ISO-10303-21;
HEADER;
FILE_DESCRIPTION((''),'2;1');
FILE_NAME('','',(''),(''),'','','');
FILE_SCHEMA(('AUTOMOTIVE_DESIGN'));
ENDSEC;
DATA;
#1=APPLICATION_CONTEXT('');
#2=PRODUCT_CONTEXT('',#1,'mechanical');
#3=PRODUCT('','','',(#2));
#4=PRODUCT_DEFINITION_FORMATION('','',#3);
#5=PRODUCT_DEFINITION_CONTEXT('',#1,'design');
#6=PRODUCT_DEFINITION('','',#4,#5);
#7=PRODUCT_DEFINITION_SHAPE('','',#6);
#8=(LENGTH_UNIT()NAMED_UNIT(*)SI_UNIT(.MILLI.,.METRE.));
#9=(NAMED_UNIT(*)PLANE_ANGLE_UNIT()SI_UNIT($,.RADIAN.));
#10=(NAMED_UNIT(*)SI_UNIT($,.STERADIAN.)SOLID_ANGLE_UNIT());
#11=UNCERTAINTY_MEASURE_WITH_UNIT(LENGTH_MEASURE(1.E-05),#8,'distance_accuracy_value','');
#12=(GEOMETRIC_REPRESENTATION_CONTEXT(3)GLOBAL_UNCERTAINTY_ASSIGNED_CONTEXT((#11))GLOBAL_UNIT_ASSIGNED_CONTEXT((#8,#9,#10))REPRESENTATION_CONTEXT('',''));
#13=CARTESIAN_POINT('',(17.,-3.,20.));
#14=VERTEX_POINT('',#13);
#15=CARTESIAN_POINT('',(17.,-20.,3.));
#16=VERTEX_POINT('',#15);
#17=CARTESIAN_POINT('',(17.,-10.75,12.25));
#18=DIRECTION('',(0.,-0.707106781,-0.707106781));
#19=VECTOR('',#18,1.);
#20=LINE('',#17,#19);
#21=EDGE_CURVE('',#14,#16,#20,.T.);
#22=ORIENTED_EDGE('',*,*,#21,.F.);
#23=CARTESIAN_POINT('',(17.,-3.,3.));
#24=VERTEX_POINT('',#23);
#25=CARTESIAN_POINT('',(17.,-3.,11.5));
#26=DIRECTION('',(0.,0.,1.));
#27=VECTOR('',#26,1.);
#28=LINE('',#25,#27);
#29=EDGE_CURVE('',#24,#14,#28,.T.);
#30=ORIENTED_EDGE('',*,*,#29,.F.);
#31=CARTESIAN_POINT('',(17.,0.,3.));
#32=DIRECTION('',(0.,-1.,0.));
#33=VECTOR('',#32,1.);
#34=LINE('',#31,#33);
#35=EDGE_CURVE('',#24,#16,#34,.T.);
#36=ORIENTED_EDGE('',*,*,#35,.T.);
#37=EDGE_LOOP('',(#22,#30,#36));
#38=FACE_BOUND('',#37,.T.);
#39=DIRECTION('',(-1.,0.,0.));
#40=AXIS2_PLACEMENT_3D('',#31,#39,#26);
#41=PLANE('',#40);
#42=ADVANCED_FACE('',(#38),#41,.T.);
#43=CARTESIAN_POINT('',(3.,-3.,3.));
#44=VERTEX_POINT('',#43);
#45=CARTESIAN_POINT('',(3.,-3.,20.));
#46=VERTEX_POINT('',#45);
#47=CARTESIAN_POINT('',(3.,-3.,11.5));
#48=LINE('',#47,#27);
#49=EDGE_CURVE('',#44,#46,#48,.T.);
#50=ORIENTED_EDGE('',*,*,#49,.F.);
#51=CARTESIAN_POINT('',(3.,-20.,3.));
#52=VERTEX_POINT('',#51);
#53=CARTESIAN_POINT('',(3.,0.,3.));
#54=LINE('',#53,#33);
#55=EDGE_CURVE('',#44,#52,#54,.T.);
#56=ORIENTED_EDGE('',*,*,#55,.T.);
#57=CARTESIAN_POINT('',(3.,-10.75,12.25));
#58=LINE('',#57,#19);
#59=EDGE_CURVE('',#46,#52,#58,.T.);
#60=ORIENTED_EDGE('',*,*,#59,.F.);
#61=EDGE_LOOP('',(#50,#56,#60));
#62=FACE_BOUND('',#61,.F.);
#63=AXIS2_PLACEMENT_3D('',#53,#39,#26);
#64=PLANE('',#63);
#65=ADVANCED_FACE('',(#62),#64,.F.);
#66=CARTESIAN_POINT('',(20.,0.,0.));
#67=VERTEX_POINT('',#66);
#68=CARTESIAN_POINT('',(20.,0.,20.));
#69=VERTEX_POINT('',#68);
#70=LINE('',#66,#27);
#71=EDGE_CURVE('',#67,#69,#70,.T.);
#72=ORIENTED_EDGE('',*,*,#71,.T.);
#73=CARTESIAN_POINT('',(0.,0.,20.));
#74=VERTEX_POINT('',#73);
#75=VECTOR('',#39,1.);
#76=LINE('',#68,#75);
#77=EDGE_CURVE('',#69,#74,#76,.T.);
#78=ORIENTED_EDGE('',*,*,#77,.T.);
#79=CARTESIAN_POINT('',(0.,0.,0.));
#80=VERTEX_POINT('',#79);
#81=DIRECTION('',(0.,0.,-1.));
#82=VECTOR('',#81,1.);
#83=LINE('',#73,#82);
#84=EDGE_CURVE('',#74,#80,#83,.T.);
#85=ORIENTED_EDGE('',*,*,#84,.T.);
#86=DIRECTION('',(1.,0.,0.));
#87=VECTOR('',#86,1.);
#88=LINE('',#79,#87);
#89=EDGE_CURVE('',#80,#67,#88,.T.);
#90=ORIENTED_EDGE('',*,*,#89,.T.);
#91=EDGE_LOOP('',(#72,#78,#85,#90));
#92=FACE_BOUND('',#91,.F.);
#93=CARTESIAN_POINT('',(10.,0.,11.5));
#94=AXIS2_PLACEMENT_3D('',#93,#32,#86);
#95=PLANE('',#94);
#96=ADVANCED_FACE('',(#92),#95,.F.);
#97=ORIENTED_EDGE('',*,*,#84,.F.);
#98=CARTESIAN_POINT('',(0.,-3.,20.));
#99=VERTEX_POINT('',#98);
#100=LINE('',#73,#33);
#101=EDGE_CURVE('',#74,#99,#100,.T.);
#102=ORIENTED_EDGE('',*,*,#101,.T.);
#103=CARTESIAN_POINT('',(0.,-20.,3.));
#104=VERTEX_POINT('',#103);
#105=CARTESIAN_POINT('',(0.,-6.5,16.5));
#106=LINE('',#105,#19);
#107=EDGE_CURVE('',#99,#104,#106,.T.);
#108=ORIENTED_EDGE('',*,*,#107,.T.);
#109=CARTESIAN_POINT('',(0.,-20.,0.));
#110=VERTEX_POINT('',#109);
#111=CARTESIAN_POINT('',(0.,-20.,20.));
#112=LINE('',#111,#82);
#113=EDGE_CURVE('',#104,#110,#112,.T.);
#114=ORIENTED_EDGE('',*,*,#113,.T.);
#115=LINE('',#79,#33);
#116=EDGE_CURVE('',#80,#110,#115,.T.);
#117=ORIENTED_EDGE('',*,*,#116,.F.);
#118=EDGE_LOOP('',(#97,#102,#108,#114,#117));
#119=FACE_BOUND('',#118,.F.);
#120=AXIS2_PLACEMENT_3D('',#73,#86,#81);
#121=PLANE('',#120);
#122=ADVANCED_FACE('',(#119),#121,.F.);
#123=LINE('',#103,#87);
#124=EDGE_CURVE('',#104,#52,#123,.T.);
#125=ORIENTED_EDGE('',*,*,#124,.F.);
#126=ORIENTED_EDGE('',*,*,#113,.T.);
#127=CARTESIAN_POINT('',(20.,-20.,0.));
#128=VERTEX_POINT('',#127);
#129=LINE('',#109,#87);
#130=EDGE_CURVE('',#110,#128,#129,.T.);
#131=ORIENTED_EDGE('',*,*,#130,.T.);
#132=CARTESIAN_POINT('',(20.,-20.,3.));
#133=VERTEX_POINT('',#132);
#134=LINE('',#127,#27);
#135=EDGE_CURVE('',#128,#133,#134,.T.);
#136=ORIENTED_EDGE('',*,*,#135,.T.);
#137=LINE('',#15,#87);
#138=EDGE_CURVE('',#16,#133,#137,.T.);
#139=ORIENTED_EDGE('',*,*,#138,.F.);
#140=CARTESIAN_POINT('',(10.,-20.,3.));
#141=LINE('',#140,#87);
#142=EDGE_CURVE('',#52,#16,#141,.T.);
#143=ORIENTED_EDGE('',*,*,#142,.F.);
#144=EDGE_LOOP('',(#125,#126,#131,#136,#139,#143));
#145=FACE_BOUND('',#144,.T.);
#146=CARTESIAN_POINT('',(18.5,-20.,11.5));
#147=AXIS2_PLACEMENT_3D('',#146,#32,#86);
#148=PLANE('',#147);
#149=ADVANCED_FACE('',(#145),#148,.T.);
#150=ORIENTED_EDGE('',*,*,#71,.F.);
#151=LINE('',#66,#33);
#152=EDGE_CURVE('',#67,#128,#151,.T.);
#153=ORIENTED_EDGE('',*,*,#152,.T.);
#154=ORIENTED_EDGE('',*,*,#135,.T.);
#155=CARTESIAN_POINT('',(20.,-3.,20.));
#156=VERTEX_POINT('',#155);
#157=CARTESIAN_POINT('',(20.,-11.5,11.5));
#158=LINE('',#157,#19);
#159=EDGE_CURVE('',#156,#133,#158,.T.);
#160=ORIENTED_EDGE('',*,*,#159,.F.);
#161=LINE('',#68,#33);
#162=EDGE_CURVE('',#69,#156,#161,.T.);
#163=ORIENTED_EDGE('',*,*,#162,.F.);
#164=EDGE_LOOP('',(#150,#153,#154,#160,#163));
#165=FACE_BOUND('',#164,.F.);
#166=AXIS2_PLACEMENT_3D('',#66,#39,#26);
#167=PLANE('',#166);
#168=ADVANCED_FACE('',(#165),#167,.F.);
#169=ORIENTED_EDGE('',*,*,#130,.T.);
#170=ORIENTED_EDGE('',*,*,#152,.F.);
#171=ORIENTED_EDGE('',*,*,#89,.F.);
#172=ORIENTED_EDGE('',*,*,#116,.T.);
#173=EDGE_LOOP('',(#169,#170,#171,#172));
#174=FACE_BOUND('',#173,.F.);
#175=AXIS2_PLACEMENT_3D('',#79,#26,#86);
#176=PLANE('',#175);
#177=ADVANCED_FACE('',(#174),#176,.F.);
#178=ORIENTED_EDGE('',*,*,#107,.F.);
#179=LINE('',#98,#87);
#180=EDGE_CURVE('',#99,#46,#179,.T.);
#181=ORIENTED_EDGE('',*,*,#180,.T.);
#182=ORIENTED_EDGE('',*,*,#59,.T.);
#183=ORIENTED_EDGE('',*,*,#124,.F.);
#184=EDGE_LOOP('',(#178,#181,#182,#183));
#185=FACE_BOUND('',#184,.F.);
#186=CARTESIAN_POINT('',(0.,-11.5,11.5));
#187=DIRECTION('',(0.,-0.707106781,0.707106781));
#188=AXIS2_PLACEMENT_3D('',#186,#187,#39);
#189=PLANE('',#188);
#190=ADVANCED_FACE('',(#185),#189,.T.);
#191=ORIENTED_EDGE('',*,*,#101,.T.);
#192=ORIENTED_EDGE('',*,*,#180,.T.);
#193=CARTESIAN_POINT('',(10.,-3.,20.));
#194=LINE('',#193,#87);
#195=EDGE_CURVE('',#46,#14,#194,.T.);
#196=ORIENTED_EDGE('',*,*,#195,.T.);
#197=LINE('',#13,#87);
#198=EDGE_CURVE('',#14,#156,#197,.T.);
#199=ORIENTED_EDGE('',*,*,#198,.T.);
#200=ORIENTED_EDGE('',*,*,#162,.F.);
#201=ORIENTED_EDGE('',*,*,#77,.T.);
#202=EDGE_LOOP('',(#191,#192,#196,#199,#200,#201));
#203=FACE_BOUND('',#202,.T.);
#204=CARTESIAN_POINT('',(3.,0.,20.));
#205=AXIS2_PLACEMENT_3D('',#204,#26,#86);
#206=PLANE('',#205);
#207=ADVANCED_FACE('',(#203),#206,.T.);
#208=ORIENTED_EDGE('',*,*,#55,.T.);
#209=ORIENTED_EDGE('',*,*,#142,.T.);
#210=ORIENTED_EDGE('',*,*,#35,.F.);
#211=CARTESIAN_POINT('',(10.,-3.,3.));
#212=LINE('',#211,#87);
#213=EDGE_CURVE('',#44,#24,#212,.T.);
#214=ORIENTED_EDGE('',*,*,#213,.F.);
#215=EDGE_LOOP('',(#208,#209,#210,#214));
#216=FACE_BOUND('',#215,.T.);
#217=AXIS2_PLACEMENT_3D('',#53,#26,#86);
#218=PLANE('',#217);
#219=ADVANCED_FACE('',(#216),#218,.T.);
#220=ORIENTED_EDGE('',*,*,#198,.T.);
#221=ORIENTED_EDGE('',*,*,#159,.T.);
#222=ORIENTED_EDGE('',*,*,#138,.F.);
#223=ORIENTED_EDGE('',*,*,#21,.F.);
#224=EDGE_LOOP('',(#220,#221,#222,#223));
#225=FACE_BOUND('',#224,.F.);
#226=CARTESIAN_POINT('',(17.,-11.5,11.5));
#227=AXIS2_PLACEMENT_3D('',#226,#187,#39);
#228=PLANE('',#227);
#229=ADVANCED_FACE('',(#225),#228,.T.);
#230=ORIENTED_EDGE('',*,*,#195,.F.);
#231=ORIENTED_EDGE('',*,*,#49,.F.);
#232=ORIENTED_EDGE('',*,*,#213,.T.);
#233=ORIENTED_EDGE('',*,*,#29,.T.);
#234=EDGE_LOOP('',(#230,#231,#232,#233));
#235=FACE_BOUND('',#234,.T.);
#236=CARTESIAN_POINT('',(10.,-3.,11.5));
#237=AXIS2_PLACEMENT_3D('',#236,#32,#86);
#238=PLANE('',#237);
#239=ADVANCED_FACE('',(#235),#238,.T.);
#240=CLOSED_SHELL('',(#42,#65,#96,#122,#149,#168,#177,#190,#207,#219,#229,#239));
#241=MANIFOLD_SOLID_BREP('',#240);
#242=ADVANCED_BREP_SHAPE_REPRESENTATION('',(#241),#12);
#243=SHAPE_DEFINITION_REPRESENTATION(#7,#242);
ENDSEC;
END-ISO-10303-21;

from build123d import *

# Parameters (mm, degrees)
F0_W     = 3
F0_H     = 17
F0_H_2   = 3
F0_W_2   = 14
F1_DEPTH = 20
F2_DEPTH = 3
F3_SIZE  = 17


with BuildPart() as f1:
    # F0 (on Front) → F1 (new body)
    with BuildSketch(Plane.XZ):
        with Locations((18.5, 11.5)):
            Rectangle(F0_W, F0_H)
        with Locations((1.5, 11.5)):
            Rectangle(F0_W, F0_H)
        with Locations((1.5, 1.5)):
            Rectangle(F0_W, F0_H_2)
        with Locations((10, 1.5)):
            Rectangle(F0_W_2, F0_H_2)
        with Locations((18.5, 1.5)):
            Rectangle(F0_W, F0_H_2)
    extrude(amount=F1_DEPTH)

    # F0 (on Front) → F2 (join)
    with BuildSketch(Plane.XZ):
        with Locations((10, 11.5)):
            Rectangle(F0_W_2, F0_H)
        with BuildLine():
            ThreePointArc((13, 8.5), (10, 5.5), (7, 8.5))
            Line((7, 8.5), (7, 11.5))
            ThreePointArc((7, 11.5), (10, 14.5), (13, 11.5))
            Line((13, 11.5), (13, 8.5))
        make_face(mode=Mode.SUBTRACT)
        with BuildLine():
            ThreePointArc((7.4019237886, 10), (7.1022225211, 9.2764571353), (7, 8.5))
            ThreePointArc((7, 8.5), (10, 5.5), (13, 8.5))
            ThreePointArc((13, 8.5), (12.8977774789, 9.2764571353), (12.5980762114, 10))
            ThreePointArc((12.5980762114, 10), (10, 8.5), (7.4019237886, 10))
        make_face()
        with BuildLine():
            ThreePointArc((12.5980762114, 10), (10, 11.5), (7.4019237886, 10))
            ThreePointArc((7.4019237886, 10), (10, 8.5), (12.5980762114, 10))
        make_face()
        with BuildLine():
            ThreePointArc((7, 11.5), (7.1022225211, 10.7235428647), (7.4019237886, 10))
            ThreePointArc((7.4019237886, 10), (10, 11.5), (12.5980762114, 10))
            ThreePointArc((12.5980762114, 10), (12.8977774789, 10.7235428647), (13, 11.5))
            ThreePointArc((13, 11.5), (10, 14.5), (7, 11.5))
        make_face()
        with BuildLine():
            ThreePointArc((12.5980762114, 10), (12.8977774789, 9.2764571353), (13, 8.5))
            Line((13, 8.5), (13, 11.5))
            ThreePointArc((13, 11.5), (12.8977774789, 10.7235428647), (12.5980762114, 10))
        make_face()
        with BuildLine():
            Line((7, 11.5), (7, 8.5))
            ThreePointArc((7, 8.5), (7.1022225211, 9.2764571353), (7.4019237886, 10))
            ThreePointArc((7.4019237886, 10), (7.1022225211, 10.7235428647), (7, 11.5))
        make_face()
    extrude(amount=F2_DEPTH)

    # F3
    f3_edges = [f1.edges().sort_by_distance(p)[0] for p in [
        (1.5, -20, 20),
        (18.5, -20, 20),
    ]]
    chamfer(f3_edges, length=F3_SIZE)


solid = f1.part
